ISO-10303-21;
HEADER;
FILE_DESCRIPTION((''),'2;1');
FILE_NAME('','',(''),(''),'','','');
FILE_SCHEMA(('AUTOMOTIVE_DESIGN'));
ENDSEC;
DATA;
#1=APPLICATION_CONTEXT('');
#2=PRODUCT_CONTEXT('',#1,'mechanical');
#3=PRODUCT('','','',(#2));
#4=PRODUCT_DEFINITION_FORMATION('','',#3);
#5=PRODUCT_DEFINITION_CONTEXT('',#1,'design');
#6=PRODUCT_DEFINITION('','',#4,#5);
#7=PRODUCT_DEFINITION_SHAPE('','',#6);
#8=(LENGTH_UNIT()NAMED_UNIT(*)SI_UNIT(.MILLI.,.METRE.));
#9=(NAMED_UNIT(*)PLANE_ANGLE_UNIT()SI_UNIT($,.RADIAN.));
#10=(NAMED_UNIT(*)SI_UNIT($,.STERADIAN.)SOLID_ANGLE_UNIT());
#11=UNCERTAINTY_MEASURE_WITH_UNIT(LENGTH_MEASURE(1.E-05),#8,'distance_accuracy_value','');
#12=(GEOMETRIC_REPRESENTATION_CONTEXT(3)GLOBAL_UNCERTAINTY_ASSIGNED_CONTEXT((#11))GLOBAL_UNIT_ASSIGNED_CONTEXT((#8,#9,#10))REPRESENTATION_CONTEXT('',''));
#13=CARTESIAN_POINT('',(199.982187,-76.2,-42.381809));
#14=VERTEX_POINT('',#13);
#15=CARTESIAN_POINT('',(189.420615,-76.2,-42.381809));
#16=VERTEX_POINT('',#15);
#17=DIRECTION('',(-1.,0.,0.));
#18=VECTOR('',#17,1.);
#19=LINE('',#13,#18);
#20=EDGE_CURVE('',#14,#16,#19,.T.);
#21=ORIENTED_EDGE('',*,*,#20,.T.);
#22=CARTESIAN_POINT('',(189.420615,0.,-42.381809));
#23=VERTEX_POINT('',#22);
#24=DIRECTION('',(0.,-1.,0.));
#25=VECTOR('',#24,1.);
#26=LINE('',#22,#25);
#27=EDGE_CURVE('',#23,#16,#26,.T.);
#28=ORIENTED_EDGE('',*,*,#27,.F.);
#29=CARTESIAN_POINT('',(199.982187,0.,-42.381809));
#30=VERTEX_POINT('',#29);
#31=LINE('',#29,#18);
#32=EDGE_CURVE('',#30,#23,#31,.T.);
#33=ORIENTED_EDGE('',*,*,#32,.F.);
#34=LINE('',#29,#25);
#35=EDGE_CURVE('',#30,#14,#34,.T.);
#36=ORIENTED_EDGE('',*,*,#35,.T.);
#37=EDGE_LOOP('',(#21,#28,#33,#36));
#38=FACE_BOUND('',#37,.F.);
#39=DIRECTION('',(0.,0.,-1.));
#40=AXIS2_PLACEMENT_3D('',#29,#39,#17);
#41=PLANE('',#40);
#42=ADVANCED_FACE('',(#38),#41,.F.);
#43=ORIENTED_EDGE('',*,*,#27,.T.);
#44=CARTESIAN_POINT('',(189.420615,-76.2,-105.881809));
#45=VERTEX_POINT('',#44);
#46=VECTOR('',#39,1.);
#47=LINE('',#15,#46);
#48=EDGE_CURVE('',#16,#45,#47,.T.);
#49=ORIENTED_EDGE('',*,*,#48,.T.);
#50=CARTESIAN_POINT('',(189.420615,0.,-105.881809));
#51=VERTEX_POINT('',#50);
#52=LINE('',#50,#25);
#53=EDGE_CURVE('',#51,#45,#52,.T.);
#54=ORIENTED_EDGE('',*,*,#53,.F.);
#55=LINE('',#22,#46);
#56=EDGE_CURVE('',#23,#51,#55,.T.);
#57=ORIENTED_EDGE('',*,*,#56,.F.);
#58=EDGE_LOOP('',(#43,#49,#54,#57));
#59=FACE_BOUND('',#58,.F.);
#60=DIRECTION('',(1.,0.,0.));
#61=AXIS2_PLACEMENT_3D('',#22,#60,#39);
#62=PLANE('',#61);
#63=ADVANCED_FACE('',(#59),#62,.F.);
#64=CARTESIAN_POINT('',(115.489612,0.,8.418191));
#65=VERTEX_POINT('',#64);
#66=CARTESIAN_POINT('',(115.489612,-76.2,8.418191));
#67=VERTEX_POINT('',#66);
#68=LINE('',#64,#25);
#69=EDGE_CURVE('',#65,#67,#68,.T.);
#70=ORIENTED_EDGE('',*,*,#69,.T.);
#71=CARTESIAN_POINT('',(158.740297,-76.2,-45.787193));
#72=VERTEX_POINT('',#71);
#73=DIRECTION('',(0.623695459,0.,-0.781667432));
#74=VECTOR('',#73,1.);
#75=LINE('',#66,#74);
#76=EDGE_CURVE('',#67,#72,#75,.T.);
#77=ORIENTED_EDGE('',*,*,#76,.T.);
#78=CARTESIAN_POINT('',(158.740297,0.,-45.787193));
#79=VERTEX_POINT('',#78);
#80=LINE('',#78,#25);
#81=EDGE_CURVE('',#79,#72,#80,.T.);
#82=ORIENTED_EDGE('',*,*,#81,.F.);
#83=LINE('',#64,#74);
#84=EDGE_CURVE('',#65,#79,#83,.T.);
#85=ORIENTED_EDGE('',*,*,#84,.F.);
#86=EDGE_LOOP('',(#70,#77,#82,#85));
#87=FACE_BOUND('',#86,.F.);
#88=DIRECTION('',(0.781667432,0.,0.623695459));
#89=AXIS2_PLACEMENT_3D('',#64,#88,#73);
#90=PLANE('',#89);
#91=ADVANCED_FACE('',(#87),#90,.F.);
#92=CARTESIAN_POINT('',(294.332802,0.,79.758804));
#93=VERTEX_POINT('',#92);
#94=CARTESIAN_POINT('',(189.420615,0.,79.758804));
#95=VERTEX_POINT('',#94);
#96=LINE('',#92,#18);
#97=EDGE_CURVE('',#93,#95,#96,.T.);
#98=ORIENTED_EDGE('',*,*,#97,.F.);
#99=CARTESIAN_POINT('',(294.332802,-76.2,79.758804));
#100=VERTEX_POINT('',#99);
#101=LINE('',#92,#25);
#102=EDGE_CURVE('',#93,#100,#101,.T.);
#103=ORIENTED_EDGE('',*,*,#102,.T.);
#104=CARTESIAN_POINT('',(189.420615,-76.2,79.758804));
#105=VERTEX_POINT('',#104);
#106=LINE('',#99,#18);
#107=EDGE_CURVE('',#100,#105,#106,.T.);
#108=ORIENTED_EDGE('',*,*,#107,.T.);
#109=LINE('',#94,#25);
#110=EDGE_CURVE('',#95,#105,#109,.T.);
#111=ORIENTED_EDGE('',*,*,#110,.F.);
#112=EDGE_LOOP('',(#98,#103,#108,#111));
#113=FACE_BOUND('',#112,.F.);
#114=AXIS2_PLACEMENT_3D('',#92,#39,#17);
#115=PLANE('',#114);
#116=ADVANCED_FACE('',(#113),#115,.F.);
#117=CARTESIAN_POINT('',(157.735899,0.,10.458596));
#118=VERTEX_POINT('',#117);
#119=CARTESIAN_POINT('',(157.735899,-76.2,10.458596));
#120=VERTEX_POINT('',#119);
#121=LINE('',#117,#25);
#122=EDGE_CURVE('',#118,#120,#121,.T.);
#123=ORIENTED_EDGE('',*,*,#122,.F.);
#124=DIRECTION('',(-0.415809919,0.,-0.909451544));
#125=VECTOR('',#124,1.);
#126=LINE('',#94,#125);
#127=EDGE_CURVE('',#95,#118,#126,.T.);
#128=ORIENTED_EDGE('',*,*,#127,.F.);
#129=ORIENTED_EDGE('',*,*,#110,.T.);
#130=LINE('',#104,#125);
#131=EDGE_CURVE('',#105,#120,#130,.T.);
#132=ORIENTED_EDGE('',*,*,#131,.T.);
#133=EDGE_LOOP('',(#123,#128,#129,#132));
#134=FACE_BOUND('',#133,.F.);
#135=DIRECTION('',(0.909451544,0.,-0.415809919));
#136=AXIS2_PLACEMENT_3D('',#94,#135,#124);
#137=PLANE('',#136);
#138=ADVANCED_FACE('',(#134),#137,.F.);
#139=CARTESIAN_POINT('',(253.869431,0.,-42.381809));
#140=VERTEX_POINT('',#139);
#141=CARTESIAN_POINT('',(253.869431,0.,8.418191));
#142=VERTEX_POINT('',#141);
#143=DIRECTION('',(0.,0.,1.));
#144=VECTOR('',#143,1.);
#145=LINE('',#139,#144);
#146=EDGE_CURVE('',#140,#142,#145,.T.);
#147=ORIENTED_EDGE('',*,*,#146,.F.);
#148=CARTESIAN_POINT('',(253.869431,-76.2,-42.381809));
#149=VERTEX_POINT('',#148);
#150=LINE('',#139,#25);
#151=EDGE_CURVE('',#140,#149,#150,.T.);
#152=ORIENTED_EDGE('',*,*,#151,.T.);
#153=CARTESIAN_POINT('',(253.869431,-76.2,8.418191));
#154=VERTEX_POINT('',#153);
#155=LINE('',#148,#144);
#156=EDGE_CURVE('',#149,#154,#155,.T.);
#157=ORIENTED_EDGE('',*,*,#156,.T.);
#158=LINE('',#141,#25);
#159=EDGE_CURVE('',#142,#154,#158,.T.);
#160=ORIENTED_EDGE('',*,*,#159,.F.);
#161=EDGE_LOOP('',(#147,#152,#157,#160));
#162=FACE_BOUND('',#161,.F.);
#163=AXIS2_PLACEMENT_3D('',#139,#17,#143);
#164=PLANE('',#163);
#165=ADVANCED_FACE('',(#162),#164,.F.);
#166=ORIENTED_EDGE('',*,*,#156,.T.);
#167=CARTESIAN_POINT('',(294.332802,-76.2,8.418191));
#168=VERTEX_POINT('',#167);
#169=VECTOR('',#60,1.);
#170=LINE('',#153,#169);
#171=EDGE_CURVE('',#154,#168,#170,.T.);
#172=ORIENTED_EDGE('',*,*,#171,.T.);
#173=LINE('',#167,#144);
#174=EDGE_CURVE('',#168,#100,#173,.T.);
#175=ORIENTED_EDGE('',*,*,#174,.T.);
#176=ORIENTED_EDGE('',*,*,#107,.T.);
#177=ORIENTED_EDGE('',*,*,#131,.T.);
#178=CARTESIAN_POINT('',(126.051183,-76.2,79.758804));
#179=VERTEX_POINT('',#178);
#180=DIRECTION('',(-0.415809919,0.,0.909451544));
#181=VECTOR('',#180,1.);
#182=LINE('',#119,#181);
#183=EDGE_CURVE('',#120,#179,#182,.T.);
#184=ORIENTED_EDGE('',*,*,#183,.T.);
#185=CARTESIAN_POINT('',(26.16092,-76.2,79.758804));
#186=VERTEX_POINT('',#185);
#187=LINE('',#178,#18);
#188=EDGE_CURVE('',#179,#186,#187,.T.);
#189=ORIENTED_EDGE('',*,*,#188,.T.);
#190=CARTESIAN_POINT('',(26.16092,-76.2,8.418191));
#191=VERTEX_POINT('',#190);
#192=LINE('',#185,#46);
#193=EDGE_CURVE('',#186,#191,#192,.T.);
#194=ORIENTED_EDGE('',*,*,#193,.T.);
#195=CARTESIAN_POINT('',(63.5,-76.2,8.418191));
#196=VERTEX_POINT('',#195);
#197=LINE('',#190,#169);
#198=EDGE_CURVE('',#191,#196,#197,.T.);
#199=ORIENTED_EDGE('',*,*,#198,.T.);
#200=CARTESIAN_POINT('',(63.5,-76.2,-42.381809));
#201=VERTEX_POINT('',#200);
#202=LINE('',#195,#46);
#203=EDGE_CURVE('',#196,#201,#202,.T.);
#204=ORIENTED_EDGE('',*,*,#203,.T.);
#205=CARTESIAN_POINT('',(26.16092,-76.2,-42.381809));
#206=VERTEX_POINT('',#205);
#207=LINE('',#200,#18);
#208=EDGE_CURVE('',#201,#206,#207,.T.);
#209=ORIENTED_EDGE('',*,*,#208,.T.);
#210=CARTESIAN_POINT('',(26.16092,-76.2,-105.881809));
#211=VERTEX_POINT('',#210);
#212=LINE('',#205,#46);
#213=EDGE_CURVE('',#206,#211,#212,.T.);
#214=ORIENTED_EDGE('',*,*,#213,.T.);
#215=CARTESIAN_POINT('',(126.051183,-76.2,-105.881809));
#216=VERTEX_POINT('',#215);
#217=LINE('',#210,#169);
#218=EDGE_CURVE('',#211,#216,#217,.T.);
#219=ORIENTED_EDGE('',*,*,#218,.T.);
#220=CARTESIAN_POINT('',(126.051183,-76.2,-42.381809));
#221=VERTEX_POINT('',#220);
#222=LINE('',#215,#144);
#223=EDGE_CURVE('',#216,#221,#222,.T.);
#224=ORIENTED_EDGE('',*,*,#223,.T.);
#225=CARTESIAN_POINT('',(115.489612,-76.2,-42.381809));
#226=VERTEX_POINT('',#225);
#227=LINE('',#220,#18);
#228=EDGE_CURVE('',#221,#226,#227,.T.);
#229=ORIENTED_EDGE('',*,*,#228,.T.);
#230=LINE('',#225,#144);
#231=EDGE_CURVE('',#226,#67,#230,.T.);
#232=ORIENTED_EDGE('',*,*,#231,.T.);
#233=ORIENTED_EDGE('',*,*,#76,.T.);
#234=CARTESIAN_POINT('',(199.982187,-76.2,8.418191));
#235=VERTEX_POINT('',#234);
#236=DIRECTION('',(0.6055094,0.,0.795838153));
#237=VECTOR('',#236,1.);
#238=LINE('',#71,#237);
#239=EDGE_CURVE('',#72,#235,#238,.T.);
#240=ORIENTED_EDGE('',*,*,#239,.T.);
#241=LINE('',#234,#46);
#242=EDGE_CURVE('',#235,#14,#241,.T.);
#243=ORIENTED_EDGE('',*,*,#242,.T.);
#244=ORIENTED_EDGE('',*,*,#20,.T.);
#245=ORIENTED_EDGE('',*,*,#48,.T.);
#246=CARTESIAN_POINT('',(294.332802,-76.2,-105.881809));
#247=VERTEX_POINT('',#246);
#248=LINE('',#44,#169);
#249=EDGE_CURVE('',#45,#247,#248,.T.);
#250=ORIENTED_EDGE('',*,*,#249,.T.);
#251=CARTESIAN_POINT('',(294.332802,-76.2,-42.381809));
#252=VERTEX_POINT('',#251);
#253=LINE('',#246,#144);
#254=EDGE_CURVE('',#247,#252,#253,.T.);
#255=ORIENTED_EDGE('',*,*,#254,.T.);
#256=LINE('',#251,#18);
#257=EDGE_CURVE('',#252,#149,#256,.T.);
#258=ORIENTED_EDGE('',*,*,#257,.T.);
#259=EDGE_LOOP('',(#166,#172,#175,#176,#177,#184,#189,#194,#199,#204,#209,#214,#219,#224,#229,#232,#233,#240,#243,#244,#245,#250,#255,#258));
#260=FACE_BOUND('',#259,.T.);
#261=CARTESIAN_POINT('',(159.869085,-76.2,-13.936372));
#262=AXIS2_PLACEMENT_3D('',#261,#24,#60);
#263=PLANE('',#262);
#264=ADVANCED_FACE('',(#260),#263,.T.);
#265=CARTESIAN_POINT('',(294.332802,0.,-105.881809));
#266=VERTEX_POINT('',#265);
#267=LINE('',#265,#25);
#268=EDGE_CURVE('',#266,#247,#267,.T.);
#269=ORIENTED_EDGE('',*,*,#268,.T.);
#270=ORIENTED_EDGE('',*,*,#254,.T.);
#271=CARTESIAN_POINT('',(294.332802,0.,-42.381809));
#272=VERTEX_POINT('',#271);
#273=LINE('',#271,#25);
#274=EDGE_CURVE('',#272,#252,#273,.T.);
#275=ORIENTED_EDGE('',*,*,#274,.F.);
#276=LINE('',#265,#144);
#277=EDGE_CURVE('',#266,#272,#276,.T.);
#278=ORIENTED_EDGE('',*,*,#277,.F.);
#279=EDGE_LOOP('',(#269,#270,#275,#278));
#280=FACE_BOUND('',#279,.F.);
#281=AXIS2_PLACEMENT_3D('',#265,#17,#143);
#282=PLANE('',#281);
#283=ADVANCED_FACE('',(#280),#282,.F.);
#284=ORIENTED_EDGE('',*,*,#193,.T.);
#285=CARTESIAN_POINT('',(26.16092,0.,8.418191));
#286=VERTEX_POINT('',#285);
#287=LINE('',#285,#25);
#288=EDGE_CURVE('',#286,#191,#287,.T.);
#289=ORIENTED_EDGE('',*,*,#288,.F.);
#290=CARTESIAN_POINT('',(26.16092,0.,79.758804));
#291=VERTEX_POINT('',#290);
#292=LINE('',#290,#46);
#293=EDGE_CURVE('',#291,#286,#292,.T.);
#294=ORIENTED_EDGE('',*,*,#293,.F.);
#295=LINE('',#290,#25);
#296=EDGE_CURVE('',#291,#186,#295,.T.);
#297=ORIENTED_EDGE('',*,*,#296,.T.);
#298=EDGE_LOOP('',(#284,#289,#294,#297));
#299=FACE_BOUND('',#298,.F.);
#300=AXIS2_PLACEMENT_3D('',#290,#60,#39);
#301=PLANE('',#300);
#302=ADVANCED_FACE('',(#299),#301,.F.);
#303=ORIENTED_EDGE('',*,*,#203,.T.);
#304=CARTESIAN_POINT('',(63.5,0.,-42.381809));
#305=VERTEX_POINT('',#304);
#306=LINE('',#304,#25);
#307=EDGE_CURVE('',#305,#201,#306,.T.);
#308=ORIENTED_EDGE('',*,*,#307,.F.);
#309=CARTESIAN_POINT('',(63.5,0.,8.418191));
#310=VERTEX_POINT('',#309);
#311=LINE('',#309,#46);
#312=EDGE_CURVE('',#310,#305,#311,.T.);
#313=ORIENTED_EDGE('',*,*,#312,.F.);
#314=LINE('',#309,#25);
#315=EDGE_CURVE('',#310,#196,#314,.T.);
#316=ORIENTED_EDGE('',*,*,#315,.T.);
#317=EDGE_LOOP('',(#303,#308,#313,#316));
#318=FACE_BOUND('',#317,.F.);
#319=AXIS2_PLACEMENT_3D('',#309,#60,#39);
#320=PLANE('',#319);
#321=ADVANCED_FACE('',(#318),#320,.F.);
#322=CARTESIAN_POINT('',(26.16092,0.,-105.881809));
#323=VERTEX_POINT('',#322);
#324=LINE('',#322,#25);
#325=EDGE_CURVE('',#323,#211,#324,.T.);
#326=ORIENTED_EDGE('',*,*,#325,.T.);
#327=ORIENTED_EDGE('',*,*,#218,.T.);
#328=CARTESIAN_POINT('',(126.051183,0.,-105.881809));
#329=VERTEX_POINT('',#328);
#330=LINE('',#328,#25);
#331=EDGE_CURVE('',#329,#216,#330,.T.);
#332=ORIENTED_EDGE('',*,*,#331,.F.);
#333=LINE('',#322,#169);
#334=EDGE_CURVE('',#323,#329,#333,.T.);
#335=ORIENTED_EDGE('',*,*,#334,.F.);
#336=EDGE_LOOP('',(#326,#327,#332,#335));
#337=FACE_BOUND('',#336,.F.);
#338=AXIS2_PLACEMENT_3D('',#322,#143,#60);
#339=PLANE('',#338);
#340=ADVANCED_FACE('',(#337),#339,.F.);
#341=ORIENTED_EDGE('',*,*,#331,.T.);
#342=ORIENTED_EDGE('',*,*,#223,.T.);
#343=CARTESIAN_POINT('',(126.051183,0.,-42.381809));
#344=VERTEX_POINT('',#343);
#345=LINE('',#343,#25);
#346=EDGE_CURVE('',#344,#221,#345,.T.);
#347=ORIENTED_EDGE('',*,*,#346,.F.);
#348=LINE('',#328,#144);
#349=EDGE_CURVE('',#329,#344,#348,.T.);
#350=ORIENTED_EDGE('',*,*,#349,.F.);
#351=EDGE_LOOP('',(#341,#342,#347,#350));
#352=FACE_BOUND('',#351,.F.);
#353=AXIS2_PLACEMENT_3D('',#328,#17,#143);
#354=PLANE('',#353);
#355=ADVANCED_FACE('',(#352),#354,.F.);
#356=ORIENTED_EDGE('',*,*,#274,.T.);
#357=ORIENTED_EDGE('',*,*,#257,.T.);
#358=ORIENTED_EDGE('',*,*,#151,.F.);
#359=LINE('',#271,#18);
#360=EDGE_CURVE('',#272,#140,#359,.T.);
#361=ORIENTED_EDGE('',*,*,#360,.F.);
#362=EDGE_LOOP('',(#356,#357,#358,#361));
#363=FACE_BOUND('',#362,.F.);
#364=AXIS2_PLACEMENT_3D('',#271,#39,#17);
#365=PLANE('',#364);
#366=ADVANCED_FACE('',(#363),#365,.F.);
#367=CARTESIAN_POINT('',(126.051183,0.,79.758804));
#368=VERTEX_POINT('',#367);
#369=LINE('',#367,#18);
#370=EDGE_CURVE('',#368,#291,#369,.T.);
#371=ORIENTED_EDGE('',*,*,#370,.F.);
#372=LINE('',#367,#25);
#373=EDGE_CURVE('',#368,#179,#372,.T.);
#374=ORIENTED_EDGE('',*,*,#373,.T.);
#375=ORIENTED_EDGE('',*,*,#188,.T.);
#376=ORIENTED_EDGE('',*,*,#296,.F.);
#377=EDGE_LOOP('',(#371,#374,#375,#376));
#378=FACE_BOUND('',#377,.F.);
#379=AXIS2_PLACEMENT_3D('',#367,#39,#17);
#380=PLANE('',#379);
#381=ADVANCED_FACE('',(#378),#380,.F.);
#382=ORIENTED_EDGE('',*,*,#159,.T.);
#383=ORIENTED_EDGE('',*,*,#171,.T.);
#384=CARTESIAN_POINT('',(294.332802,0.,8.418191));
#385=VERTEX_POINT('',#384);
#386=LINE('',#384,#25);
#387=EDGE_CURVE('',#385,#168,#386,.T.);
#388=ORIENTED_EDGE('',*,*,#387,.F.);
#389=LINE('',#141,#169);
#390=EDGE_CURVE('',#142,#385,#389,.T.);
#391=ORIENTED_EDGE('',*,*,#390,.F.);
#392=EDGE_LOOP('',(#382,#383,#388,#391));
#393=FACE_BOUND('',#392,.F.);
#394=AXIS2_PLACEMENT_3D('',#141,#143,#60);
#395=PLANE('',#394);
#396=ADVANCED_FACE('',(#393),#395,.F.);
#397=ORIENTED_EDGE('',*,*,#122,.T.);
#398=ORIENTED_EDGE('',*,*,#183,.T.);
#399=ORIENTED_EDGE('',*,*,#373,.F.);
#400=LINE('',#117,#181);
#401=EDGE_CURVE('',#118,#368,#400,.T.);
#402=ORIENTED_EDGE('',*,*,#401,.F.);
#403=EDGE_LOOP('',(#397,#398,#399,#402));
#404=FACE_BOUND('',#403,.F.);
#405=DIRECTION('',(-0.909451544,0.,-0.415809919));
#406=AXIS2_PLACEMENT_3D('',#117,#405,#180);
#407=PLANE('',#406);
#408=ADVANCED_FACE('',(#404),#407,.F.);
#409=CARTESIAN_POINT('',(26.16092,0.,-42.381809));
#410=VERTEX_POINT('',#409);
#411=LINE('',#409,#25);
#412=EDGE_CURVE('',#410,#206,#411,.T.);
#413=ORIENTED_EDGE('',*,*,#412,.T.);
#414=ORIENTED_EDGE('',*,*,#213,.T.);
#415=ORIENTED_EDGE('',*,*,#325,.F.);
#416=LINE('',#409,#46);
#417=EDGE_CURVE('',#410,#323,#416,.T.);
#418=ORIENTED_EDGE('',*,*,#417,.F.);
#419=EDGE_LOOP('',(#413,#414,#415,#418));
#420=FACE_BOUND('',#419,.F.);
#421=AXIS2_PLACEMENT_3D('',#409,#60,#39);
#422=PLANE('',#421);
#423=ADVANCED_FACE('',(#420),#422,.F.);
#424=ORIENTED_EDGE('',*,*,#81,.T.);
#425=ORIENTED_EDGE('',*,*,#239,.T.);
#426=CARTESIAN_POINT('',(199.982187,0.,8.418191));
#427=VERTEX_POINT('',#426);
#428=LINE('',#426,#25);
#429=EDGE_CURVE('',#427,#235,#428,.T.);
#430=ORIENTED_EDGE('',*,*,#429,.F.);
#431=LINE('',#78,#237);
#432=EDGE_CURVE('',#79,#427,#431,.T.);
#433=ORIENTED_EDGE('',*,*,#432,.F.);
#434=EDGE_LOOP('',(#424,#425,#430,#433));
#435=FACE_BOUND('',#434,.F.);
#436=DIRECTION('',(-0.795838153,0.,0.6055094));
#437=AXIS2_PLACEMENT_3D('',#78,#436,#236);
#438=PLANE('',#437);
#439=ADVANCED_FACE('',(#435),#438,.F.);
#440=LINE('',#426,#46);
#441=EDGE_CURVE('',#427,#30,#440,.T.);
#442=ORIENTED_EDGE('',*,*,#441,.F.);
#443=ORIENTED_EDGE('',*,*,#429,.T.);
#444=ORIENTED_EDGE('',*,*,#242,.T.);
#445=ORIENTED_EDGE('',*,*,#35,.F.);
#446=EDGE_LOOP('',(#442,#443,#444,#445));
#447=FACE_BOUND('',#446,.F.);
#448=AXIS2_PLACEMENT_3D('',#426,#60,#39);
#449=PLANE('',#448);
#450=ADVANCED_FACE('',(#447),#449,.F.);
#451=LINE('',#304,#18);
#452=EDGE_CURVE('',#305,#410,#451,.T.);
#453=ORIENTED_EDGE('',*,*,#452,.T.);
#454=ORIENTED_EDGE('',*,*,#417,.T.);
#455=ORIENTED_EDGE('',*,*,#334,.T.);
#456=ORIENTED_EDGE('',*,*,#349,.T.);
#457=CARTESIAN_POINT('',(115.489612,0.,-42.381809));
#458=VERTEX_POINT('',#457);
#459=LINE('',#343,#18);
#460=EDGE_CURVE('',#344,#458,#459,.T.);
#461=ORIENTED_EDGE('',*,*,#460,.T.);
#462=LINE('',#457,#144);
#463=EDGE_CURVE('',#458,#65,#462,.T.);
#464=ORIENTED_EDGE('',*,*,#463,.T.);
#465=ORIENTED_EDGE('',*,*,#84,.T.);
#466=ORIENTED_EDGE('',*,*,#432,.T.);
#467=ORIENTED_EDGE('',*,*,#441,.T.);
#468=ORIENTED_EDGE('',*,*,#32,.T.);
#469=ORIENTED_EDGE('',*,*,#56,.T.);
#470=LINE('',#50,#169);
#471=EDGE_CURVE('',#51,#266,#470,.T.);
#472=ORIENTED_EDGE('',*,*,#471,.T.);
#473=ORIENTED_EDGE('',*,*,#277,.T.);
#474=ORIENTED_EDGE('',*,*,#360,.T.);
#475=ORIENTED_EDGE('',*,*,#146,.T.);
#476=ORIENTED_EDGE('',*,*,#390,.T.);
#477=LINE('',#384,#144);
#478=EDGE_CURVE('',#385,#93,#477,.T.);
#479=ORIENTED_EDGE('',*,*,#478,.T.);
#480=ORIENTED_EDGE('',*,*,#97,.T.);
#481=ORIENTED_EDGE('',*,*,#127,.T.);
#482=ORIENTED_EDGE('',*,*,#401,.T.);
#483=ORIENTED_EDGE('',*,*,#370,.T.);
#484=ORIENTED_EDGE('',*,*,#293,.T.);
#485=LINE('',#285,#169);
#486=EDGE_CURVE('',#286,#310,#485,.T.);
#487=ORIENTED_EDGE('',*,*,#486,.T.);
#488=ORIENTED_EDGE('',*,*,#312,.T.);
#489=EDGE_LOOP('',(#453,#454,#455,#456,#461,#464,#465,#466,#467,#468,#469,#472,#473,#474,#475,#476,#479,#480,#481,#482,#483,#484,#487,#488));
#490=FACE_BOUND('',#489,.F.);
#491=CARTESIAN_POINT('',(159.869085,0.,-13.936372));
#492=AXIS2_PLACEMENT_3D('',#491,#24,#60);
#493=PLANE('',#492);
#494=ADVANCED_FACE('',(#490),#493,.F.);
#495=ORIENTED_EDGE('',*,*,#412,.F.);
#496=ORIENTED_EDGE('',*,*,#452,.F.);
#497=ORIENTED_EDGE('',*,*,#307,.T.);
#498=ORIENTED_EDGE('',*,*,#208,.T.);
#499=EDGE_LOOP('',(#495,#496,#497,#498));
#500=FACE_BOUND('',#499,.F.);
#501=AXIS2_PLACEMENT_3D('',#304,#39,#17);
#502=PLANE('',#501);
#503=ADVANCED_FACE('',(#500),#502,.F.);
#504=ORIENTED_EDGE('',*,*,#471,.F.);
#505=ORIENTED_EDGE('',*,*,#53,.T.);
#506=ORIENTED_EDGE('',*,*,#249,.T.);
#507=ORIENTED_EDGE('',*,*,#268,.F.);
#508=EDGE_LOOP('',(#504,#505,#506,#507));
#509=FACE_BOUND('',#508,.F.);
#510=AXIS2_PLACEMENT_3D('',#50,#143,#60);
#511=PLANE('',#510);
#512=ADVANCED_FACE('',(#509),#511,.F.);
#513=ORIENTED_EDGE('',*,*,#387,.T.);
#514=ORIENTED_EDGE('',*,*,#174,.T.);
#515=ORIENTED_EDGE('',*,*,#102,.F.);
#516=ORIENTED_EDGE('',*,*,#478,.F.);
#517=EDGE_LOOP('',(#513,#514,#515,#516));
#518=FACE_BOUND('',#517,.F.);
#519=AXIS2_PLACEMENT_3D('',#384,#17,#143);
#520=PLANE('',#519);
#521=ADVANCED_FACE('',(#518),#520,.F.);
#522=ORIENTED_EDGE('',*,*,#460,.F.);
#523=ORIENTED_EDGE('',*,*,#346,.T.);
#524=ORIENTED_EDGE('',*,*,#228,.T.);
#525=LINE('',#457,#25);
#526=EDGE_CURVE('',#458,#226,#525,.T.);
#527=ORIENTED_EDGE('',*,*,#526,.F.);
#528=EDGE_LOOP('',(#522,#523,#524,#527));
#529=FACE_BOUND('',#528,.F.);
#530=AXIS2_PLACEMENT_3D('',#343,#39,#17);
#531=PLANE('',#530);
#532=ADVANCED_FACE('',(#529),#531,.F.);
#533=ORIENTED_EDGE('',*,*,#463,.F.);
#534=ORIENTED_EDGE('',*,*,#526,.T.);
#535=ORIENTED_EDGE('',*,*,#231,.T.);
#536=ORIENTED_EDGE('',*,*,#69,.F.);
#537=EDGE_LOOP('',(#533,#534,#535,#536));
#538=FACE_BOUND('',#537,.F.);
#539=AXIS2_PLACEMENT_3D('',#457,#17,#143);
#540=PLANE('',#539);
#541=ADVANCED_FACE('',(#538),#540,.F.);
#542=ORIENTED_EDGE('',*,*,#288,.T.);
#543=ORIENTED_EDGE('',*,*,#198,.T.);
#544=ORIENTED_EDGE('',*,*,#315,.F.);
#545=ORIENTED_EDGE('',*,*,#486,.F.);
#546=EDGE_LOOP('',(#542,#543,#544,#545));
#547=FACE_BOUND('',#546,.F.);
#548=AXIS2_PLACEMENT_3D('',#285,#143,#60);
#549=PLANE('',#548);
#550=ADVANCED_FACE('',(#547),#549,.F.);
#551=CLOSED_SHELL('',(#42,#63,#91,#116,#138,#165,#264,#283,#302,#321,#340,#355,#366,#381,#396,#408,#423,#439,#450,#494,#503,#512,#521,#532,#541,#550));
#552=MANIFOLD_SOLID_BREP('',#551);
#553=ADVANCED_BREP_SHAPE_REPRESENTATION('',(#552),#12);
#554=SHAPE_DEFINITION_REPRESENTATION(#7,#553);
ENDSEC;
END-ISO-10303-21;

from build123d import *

# Parameters (mm, degrees)
F1_DEPTH = 76.2


with BuildPart() as f1:
    # F0 (on Front) → F1 (new body)
    with BuildSketch(Plane.XZ):
        Polygon((126.051183, 79.758804), (26.16092, 79.758804), (26.16092, 8.418191), (63.5, 8.418191), (63.5, -42.381809), (26.16092, -42.381809), (26.16092, -105.881809), (126.051183, -105.881809), (126.051183, -42.381809), (115.489612, -42.381809), (115.489612, 8.418191), (158.740297, -45.787193), (199.982187, 8.418191), (199.982187, -42.381809), (189.420615, -42.381809), (189.420615, -105.881809), (294.332802, -105.881809), (294.332802, -42.381809), (253.869431, -42.381809), (253.869431, 8.418191), (294.332802, 8.418191), (294.332802, 79.758804), (189.420615, 79.758804), (157.735899, 10.458596), align=None)
    extrude(amount=F1_DEPTH)


solid = f1.part
